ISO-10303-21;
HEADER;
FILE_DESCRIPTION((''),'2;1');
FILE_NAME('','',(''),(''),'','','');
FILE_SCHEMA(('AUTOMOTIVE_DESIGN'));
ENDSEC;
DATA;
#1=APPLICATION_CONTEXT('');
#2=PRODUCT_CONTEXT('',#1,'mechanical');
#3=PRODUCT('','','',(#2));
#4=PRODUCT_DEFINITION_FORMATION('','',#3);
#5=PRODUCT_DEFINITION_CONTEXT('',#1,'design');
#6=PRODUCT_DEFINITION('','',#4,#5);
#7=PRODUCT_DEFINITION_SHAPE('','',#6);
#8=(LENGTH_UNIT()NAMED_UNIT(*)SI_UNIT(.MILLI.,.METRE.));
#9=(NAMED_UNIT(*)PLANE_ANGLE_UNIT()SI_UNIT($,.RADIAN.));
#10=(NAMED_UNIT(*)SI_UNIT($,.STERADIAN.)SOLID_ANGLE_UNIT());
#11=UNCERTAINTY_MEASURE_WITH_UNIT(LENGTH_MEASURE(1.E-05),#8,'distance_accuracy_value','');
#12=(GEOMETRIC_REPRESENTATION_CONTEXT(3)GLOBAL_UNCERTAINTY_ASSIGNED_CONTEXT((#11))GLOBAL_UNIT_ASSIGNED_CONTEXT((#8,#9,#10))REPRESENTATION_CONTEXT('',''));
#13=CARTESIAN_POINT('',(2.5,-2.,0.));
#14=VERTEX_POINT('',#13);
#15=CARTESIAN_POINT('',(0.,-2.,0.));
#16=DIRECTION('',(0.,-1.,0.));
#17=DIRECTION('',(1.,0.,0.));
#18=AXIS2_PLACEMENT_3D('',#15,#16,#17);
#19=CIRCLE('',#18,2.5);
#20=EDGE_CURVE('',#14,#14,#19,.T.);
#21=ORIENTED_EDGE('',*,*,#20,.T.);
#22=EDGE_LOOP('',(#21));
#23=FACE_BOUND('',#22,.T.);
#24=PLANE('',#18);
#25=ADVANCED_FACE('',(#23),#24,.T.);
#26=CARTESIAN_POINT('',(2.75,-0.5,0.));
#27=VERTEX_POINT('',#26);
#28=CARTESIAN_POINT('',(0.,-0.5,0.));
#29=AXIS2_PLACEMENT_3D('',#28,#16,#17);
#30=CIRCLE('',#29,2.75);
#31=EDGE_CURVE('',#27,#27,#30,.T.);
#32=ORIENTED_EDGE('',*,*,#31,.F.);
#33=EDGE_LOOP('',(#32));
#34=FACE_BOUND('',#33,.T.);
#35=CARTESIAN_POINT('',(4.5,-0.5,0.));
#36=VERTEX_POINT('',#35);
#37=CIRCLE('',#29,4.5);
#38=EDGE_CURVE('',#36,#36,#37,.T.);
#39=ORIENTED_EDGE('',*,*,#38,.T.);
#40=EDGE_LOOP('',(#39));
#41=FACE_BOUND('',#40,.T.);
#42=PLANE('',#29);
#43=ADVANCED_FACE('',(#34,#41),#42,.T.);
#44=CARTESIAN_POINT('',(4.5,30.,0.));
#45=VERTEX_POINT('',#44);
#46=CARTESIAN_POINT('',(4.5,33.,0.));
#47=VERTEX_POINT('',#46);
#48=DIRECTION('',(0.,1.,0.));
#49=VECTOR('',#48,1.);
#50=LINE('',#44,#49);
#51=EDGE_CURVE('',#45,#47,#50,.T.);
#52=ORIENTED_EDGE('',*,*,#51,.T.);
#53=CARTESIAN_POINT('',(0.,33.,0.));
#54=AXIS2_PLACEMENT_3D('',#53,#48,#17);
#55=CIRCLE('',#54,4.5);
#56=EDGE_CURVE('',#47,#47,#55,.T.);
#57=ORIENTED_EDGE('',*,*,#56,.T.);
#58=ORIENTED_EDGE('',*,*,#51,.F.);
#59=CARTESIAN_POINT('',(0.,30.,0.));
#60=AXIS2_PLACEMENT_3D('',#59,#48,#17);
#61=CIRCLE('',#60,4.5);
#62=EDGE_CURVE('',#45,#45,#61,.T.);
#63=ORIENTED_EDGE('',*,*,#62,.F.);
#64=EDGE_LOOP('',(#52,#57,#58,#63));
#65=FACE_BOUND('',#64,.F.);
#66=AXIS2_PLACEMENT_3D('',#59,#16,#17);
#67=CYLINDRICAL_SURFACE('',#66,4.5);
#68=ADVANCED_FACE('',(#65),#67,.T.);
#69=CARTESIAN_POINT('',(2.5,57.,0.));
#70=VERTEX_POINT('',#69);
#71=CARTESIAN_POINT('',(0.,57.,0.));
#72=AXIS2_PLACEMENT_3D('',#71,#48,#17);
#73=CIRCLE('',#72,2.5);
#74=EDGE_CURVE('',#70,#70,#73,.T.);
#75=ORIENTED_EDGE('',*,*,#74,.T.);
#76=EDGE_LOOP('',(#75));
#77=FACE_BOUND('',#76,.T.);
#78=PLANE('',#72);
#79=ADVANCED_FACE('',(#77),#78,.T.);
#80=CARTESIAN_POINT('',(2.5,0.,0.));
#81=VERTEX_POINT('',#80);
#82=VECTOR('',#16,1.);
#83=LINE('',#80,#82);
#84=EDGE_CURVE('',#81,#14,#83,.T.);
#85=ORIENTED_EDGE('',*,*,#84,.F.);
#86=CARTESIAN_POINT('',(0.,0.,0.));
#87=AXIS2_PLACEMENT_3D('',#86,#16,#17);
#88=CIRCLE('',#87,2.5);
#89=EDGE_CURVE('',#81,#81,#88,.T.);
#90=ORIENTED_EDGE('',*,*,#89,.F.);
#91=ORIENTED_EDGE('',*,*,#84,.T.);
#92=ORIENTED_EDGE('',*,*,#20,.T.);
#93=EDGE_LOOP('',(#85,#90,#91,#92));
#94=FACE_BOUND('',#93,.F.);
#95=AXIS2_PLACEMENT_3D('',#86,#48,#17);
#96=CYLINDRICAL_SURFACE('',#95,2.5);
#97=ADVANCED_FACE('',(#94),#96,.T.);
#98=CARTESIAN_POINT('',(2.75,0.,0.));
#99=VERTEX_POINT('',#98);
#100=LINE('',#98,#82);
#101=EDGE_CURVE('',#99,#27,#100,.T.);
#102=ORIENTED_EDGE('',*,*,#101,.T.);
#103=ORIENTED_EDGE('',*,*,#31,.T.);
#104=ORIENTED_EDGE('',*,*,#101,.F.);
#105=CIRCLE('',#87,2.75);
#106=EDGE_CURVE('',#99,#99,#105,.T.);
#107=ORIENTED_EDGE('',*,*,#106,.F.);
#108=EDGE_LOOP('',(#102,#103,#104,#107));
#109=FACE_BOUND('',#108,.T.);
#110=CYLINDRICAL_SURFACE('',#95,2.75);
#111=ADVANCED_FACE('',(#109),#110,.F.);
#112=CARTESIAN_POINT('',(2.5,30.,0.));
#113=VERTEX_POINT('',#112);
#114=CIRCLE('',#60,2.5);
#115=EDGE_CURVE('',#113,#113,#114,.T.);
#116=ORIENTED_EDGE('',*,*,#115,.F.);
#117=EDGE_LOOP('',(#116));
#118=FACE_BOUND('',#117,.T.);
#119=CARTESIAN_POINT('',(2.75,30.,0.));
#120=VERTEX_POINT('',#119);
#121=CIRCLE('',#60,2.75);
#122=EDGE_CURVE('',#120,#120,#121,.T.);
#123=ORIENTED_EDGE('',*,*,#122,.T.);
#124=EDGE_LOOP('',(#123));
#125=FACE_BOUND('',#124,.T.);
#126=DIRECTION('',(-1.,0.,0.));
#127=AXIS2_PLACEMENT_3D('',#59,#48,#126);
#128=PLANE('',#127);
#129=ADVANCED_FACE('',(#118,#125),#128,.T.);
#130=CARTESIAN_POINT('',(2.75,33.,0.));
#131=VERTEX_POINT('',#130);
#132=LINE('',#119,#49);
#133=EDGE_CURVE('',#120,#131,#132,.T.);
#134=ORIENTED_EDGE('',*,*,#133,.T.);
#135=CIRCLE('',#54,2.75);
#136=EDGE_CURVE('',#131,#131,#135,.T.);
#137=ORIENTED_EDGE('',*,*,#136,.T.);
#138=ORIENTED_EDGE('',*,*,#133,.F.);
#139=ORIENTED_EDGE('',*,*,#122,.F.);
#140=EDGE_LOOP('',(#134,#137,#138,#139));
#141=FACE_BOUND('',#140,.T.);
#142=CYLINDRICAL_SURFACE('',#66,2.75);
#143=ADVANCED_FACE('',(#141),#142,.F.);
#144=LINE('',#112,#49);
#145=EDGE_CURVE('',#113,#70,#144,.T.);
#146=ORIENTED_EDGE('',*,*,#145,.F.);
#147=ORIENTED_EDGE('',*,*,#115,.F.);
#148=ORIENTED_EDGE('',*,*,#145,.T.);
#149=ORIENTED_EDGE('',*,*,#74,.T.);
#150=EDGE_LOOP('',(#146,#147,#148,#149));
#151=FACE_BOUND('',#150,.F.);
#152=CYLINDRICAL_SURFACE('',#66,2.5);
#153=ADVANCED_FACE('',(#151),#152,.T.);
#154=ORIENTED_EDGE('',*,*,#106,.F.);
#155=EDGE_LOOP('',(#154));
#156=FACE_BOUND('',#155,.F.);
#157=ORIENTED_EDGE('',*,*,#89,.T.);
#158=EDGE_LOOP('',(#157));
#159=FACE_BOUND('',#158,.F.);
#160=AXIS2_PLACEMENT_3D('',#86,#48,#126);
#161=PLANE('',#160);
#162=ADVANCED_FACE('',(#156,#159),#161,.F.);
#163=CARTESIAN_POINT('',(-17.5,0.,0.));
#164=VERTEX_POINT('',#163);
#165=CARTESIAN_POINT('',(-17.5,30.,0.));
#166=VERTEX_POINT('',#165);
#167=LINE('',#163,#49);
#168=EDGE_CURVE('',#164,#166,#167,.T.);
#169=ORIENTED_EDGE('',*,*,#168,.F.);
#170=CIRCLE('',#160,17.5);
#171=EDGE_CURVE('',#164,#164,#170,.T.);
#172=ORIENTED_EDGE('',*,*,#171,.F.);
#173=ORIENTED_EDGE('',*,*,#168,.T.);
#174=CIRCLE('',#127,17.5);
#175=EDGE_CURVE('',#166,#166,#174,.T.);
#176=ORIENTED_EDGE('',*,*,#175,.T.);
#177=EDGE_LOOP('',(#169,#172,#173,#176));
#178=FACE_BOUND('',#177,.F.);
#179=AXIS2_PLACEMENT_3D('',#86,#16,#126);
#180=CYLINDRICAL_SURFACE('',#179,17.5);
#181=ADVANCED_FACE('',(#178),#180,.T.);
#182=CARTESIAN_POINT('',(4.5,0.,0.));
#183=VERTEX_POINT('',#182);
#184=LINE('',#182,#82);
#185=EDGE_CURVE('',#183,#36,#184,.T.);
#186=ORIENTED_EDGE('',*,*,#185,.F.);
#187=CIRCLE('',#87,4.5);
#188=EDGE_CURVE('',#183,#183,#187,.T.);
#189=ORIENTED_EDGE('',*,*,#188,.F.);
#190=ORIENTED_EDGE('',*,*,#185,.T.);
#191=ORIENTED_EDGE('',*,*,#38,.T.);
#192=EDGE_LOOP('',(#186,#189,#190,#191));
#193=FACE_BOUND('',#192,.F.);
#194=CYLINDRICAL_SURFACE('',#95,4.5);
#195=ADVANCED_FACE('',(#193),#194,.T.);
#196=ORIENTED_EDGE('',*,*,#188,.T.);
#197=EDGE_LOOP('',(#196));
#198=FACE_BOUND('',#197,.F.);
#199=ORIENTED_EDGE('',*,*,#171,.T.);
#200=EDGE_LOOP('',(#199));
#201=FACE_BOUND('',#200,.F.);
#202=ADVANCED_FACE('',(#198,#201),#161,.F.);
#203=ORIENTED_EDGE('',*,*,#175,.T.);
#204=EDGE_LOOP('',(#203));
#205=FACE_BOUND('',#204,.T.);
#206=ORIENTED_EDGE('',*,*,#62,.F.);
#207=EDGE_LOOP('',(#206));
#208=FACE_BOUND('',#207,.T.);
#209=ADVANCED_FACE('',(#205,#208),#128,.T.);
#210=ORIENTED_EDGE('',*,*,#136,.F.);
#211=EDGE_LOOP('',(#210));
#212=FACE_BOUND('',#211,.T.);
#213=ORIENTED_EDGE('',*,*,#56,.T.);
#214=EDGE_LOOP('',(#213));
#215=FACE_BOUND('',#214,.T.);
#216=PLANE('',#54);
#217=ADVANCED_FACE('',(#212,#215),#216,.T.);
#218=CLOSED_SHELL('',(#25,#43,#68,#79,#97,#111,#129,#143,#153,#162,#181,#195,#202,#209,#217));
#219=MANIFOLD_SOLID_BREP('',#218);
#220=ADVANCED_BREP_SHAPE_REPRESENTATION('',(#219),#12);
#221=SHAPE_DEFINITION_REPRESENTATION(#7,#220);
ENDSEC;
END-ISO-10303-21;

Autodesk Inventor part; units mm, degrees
ref_plane "YZ Plane" through (0, 0, 0) normal (1, 0, 0) x (0, 1, 0)
ref_plane "XZ Plane" through (0, 0, 0) normal (0, 1, 0) x (-1, 0, 0)
ref_plane "XY Plane" through (0, 0, 0) normal (0, 0, 1) x (1, 0, 0)
sketch "Sketch1" plane through (0, 0, 0) normal (0, 1, 0) x (-1, 0, 0)
  circle A0 centre (0, 0) radius 17.5
  dimension "d0" = 35
extrude "Extrusion1" add sketch "Sketch1" along normal blind 30
sketch "Sketch2" plane through (0, 0, 0) normal (0, -1, 0) x (1, 0, 0)
  circle A0 centre (0, 0) radius 2.5
  dimension "d3" = 5
extrude "Extrusion2" add sketch "Sketch2" along normal blind 2
sketch "Sketch3" plane through (0, 30, 0) normal (0, 1, 0) x (1, 0, 0)
  circle A0 centre (0, 0) radius 2.5
  dimension "d6" = 5
extrude "Extrusion3" add sketch "Sketch3" along normal blind 27
sketch "Sketch4" plane through (0, 30, 0) normal (0, 1, 0) x (1, 0, 0)
  circle A0 centre (0, 0) radius 4.5
  circle A1 centre (0, 0) radius 2.75
  dimension "d9" = 9
  dimension "d12" = 5.5
extrude "Extrusion5" add sketch "Sketch4" along normal blind 3
sketch "Sketch5" plane through (0, 0, 0) normal (0, -1, 0) x (1, 0, 0)
  circle A0 centre (0, 0) radius 2.75
  circle A1 centre (0, 0) radius 4.5
  dimension "d15" = 5.5
  dimension "d16" = 9
extrude "Extrusion6" add sketch "Sketch5" along normal blind 0.5
